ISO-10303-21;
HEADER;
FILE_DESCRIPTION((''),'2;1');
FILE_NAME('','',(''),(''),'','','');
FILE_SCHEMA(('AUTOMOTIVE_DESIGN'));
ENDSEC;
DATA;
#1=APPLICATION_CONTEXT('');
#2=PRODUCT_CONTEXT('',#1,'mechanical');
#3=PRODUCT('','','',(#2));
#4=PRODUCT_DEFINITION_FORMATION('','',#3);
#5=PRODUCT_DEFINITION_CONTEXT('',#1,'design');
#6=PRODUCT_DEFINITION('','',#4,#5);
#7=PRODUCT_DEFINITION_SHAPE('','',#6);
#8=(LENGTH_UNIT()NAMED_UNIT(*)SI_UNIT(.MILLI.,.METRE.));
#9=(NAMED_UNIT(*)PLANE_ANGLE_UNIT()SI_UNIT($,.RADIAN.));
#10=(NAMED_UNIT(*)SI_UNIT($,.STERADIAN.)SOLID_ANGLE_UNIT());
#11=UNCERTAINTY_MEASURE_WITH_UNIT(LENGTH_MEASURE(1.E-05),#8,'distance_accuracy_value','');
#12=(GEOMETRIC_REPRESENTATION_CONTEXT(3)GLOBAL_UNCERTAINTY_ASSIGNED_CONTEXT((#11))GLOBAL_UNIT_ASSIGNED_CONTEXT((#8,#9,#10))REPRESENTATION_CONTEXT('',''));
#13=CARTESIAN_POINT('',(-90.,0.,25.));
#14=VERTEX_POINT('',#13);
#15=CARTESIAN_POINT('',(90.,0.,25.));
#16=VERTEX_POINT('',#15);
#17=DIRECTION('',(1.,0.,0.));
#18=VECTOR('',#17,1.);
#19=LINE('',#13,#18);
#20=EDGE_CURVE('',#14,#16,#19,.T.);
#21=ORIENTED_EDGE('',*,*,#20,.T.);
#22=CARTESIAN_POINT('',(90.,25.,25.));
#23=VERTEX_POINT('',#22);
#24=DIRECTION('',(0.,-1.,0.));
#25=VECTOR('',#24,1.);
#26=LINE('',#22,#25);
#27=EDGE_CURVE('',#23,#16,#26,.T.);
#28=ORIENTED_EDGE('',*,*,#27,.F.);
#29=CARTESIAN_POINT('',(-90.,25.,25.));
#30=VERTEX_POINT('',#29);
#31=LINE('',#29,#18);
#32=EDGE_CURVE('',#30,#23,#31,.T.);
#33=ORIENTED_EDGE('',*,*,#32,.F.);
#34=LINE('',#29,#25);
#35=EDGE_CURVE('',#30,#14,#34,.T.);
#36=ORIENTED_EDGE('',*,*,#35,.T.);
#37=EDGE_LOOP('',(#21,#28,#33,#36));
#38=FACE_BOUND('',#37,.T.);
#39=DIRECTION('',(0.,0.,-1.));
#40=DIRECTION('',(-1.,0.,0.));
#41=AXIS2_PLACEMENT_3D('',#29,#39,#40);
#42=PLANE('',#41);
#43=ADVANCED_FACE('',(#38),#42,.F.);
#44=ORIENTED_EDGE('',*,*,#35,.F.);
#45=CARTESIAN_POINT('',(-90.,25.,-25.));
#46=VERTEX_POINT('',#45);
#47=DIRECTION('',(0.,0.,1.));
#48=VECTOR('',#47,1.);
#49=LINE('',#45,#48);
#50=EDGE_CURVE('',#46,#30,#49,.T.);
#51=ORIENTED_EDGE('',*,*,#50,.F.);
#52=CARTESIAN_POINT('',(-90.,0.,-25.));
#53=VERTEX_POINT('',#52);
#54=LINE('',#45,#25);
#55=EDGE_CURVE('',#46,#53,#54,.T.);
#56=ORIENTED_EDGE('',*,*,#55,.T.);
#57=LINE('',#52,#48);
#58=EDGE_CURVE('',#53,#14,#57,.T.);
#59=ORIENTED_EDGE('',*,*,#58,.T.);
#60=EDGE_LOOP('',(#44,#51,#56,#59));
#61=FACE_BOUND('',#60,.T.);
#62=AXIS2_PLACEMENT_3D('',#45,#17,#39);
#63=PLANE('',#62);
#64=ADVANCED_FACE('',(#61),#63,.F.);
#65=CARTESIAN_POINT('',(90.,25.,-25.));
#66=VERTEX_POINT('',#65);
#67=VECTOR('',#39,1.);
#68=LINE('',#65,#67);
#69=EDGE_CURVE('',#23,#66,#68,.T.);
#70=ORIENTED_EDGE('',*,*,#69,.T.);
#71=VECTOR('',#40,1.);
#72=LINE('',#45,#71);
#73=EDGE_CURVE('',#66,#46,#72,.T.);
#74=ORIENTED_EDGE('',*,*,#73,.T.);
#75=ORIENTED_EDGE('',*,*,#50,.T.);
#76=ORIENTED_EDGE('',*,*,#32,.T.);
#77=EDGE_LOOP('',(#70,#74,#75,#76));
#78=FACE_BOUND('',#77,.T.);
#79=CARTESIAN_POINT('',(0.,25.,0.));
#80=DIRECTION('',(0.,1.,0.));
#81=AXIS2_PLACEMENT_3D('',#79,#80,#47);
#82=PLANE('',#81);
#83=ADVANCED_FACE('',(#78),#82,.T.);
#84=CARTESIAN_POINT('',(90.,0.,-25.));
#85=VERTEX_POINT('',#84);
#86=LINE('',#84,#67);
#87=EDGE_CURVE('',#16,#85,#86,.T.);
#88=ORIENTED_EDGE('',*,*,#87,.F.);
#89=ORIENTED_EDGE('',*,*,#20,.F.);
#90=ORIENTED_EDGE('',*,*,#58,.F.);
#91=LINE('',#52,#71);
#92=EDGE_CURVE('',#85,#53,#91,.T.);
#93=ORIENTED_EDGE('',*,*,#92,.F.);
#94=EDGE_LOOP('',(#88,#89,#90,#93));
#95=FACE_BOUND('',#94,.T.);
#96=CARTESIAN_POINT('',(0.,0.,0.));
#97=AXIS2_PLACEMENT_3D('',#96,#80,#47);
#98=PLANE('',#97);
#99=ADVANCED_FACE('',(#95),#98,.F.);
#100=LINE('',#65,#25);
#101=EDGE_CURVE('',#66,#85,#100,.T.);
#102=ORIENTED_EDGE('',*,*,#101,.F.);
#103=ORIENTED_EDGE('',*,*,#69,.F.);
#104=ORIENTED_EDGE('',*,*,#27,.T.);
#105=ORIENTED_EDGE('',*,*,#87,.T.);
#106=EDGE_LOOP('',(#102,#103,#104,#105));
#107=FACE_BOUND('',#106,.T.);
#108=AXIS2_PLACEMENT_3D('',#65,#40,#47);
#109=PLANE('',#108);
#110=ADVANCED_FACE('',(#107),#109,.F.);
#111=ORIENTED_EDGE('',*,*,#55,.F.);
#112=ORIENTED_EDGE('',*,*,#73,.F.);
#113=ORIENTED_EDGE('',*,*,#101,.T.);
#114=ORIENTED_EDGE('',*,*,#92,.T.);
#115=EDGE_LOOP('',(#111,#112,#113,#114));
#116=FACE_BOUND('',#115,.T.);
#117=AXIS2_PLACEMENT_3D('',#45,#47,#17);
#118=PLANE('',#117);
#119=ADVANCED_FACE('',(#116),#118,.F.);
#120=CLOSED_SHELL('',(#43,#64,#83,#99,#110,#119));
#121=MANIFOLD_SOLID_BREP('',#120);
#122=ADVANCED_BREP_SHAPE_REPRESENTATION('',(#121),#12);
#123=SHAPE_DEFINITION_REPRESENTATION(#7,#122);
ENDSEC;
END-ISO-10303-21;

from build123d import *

# Parameters (mm, degrees)
ESBO_O1_W                = 180
ESBO_O1_H                = 50
RESSALTO_EXTRUS_O1_DEPTH = 25


with BuildPart() as part:
    # Esboço1 → Ressalto-extrusão1 (new body)
    with BuildSketch(Plane(origin=(0, 0, 0), x_dir=(1, 0, 0), z_dir=(0, 1, 0))):
        Rectangle(ESBO_O1_W, ESBO_O1_H)
    extrude(amount=RESSALTO_EXTRUS_O1_DEPTH)


solid = part.part
